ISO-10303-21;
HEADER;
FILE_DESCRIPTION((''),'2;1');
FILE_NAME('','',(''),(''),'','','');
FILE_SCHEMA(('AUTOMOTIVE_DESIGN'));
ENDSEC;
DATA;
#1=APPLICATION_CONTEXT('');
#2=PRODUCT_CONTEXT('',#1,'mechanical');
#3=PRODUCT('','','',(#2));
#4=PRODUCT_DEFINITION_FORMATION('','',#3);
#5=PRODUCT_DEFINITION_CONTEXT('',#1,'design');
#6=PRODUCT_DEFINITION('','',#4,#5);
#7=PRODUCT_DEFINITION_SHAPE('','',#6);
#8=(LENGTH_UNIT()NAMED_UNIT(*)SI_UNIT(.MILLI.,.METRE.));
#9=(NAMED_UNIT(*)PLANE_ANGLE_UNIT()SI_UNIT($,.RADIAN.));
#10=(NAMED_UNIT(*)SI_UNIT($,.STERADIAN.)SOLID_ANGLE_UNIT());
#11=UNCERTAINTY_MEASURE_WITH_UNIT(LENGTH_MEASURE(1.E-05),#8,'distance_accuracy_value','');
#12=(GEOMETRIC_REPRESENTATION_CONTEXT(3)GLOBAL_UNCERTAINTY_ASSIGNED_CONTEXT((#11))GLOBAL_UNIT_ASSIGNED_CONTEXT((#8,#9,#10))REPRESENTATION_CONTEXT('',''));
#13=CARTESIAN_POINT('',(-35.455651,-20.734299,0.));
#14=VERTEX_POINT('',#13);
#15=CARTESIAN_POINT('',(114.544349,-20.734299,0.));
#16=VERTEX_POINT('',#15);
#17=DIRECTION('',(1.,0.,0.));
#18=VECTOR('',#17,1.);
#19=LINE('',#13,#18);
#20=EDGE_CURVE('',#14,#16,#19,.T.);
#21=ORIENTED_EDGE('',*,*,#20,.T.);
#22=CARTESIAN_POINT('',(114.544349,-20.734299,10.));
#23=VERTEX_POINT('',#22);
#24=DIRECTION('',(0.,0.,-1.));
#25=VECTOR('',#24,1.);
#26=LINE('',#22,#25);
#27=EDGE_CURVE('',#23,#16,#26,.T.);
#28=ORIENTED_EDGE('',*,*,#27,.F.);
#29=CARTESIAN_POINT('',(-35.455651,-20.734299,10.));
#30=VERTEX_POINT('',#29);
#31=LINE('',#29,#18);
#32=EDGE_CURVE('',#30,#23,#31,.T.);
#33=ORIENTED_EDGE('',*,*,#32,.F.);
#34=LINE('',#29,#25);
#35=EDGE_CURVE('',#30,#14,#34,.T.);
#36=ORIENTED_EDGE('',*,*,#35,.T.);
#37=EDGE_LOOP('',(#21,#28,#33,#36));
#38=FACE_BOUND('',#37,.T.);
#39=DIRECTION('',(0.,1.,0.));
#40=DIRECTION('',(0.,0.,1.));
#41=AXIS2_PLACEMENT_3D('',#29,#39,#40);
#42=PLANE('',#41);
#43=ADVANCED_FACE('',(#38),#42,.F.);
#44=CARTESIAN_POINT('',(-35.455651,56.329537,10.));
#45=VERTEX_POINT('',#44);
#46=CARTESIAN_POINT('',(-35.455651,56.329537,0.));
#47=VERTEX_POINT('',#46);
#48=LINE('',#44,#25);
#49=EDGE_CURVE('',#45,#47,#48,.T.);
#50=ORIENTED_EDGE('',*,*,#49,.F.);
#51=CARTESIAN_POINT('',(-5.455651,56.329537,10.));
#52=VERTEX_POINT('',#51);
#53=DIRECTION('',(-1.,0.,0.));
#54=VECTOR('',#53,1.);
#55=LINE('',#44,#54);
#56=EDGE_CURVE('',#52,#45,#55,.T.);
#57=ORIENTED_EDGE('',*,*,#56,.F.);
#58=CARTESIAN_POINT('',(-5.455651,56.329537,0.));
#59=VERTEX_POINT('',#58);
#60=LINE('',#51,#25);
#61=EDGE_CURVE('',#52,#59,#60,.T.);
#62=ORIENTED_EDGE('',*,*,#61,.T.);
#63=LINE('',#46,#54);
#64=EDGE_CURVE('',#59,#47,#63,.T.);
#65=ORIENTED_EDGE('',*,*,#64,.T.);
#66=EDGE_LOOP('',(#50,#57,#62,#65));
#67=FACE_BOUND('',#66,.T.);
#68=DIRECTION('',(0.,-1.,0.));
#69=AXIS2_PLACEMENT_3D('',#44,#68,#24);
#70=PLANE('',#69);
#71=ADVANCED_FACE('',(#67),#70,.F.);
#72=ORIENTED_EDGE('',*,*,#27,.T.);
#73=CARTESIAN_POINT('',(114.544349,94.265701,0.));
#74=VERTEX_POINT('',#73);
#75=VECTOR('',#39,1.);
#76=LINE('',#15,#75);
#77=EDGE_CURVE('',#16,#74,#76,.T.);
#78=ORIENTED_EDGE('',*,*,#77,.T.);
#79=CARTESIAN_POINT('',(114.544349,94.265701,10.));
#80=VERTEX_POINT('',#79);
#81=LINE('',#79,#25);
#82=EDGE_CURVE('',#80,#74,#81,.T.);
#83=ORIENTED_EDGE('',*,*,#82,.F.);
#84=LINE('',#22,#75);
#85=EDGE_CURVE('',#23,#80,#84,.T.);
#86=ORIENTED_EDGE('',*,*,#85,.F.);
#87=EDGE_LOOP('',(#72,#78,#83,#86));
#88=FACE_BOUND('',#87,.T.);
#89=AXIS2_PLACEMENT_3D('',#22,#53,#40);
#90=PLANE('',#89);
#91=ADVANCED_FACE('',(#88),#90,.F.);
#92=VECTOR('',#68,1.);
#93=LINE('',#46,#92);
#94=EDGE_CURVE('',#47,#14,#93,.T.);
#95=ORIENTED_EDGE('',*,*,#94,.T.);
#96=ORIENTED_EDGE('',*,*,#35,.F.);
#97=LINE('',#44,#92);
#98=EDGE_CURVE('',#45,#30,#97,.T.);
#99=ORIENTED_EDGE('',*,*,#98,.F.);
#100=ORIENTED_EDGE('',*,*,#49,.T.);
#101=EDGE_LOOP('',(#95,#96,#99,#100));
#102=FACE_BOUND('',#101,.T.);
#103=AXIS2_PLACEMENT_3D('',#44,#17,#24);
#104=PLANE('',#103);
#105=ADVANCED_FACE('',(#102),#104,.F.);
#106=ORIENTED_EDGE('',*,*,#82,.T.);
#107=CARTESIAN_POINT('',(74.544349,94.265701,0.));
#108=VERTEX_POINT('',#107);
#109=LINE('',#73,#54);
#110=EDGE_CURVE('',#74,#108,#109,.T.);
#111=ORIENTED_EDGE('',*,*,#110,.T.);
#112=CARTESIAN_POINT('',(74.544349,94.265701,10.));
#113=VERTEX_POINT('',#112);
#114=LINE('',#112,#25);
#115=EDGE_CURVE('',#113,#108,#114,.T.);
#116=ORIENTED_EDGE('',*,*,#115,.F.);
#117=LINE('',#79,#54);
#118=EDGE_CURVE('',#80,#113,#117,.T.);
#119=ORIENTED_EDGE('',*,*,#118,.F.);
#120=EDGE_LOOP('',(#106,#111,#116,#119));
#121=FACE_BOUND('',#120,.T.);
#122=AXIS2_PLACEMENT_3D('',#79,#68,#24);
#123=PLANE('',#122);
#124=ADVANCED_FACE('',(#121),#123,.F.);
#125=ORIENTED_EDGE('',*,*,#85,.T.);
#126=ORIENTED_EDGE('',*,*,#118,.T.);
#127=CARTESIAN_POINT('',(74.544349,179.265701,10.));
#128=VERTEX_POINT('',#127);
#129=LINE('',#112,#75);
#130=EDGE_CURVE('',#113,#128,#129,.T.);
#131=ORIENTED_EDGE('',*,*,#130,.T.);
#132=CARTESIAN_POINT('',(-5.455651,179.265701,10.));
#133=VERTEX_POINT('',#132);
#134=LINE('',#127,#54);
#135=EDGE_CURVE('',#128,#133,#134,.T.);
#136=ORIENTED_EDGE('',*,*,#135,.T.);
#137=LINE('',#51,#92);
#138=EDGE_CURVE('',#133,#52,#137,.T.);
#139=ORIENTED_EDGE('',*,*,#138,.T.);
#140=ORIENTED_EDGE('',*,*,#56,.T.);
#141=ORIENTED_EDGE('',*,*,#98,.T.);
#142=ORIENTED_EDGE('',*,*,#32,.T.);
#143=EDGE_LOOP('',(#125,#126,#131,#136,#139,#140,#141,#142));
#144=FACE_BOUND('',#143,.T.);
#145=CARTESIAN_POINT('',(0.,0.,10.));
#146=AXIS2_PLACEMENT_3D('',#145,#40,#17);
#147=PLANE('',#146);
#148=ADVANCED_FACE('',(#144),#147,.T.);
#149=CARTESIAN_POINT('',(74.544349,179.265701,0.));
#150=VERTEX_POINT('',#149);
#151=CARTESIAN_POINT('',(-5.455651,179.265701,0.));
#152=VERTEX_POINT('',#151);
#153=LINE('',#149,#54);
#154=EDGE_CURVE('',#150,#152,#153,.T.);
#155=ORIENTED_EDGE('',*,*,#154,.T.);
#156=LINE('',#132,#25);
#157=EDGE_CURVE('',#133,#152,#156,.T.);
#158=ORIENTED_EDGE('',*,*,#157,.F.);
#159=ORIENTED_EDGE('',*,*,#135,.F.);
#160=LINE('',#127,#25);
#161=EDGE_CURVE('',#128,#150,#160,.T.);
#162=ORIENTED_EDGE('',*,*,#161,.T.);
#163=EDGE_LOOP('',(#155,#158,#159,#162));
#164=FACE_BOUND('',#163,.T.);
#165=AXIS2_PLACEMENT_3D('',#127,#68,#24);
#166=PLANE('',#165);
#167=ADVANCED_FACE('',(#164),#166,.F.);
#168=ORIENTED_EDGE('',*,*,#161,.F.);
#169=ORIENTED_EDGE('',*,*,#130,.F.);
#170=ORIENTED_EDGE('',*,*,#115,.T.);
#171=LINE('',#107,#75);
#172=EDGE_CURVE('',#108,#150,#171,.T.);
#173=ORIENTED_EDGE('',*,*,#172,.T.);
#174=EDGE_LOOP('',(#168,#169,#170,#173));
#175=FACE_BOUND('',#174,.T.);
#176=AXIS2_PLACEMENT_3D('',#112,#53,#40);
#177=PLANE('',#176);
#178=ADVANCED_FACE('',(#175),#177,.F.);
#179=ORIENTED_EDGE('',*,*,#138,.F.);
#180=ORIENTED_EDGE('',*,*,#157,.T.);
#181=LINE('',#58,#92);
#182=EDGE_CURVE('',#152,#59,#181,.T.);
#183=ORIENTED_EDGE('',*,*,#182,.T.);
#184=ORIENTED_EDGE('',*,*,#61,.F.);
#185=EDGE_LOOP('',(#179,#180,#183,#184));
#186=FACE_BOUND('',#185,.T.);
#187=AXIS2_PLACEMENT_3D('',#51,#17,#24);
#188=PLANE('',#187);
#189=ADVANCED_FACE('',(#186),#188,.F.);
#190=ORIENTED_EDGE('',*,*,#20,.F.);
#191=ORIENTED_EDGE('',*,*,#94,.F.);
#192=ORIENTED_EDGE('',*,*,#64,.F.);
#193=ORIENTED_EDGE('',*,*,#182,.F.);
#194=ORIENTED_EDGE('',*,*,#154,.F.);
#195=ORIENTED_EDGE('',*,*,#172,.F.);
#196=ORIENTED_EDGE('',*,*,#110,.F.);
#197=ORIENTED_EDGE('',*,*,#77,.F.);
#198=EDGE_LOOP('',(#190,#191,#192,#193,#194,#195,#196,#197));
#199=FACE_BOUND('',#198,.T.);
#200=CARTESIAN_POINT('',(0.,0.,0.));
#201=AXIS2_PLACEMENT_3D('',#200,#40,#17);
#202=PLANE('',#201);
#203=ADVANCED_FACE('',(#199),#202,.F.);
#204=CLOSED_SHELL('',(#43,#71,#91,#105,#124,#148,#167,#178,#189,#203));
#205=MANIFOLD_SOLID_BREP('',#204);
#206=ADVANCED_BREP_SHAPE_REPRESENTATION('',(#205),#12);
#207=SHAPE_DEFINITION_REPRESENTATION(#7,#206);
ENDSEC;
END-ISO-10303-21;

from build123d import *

# Parameters (mm, degrees)
BOSS_EXTRUDE1_DEPTH = 10


with BuildPart() as part:
    # Sketch2 → Boss-Extrude1 (new body)
    with BuildSketch(Plane.XY):
        Polygon((-35.455650915, -20.73429878), (114.544349085, -20.73429878), (114.544349085, 94.26570122), (74.544349085, 94.26570122), (74.544349085, 179.26570122), (-5.455650915, 179.26570122), (-5.455650915, 56.329537329), (-35.455650915, 56.329537329), align=None)
    extrude(amount=BOSS_EXTRUDE1_DEPTH)


solid = part.part
